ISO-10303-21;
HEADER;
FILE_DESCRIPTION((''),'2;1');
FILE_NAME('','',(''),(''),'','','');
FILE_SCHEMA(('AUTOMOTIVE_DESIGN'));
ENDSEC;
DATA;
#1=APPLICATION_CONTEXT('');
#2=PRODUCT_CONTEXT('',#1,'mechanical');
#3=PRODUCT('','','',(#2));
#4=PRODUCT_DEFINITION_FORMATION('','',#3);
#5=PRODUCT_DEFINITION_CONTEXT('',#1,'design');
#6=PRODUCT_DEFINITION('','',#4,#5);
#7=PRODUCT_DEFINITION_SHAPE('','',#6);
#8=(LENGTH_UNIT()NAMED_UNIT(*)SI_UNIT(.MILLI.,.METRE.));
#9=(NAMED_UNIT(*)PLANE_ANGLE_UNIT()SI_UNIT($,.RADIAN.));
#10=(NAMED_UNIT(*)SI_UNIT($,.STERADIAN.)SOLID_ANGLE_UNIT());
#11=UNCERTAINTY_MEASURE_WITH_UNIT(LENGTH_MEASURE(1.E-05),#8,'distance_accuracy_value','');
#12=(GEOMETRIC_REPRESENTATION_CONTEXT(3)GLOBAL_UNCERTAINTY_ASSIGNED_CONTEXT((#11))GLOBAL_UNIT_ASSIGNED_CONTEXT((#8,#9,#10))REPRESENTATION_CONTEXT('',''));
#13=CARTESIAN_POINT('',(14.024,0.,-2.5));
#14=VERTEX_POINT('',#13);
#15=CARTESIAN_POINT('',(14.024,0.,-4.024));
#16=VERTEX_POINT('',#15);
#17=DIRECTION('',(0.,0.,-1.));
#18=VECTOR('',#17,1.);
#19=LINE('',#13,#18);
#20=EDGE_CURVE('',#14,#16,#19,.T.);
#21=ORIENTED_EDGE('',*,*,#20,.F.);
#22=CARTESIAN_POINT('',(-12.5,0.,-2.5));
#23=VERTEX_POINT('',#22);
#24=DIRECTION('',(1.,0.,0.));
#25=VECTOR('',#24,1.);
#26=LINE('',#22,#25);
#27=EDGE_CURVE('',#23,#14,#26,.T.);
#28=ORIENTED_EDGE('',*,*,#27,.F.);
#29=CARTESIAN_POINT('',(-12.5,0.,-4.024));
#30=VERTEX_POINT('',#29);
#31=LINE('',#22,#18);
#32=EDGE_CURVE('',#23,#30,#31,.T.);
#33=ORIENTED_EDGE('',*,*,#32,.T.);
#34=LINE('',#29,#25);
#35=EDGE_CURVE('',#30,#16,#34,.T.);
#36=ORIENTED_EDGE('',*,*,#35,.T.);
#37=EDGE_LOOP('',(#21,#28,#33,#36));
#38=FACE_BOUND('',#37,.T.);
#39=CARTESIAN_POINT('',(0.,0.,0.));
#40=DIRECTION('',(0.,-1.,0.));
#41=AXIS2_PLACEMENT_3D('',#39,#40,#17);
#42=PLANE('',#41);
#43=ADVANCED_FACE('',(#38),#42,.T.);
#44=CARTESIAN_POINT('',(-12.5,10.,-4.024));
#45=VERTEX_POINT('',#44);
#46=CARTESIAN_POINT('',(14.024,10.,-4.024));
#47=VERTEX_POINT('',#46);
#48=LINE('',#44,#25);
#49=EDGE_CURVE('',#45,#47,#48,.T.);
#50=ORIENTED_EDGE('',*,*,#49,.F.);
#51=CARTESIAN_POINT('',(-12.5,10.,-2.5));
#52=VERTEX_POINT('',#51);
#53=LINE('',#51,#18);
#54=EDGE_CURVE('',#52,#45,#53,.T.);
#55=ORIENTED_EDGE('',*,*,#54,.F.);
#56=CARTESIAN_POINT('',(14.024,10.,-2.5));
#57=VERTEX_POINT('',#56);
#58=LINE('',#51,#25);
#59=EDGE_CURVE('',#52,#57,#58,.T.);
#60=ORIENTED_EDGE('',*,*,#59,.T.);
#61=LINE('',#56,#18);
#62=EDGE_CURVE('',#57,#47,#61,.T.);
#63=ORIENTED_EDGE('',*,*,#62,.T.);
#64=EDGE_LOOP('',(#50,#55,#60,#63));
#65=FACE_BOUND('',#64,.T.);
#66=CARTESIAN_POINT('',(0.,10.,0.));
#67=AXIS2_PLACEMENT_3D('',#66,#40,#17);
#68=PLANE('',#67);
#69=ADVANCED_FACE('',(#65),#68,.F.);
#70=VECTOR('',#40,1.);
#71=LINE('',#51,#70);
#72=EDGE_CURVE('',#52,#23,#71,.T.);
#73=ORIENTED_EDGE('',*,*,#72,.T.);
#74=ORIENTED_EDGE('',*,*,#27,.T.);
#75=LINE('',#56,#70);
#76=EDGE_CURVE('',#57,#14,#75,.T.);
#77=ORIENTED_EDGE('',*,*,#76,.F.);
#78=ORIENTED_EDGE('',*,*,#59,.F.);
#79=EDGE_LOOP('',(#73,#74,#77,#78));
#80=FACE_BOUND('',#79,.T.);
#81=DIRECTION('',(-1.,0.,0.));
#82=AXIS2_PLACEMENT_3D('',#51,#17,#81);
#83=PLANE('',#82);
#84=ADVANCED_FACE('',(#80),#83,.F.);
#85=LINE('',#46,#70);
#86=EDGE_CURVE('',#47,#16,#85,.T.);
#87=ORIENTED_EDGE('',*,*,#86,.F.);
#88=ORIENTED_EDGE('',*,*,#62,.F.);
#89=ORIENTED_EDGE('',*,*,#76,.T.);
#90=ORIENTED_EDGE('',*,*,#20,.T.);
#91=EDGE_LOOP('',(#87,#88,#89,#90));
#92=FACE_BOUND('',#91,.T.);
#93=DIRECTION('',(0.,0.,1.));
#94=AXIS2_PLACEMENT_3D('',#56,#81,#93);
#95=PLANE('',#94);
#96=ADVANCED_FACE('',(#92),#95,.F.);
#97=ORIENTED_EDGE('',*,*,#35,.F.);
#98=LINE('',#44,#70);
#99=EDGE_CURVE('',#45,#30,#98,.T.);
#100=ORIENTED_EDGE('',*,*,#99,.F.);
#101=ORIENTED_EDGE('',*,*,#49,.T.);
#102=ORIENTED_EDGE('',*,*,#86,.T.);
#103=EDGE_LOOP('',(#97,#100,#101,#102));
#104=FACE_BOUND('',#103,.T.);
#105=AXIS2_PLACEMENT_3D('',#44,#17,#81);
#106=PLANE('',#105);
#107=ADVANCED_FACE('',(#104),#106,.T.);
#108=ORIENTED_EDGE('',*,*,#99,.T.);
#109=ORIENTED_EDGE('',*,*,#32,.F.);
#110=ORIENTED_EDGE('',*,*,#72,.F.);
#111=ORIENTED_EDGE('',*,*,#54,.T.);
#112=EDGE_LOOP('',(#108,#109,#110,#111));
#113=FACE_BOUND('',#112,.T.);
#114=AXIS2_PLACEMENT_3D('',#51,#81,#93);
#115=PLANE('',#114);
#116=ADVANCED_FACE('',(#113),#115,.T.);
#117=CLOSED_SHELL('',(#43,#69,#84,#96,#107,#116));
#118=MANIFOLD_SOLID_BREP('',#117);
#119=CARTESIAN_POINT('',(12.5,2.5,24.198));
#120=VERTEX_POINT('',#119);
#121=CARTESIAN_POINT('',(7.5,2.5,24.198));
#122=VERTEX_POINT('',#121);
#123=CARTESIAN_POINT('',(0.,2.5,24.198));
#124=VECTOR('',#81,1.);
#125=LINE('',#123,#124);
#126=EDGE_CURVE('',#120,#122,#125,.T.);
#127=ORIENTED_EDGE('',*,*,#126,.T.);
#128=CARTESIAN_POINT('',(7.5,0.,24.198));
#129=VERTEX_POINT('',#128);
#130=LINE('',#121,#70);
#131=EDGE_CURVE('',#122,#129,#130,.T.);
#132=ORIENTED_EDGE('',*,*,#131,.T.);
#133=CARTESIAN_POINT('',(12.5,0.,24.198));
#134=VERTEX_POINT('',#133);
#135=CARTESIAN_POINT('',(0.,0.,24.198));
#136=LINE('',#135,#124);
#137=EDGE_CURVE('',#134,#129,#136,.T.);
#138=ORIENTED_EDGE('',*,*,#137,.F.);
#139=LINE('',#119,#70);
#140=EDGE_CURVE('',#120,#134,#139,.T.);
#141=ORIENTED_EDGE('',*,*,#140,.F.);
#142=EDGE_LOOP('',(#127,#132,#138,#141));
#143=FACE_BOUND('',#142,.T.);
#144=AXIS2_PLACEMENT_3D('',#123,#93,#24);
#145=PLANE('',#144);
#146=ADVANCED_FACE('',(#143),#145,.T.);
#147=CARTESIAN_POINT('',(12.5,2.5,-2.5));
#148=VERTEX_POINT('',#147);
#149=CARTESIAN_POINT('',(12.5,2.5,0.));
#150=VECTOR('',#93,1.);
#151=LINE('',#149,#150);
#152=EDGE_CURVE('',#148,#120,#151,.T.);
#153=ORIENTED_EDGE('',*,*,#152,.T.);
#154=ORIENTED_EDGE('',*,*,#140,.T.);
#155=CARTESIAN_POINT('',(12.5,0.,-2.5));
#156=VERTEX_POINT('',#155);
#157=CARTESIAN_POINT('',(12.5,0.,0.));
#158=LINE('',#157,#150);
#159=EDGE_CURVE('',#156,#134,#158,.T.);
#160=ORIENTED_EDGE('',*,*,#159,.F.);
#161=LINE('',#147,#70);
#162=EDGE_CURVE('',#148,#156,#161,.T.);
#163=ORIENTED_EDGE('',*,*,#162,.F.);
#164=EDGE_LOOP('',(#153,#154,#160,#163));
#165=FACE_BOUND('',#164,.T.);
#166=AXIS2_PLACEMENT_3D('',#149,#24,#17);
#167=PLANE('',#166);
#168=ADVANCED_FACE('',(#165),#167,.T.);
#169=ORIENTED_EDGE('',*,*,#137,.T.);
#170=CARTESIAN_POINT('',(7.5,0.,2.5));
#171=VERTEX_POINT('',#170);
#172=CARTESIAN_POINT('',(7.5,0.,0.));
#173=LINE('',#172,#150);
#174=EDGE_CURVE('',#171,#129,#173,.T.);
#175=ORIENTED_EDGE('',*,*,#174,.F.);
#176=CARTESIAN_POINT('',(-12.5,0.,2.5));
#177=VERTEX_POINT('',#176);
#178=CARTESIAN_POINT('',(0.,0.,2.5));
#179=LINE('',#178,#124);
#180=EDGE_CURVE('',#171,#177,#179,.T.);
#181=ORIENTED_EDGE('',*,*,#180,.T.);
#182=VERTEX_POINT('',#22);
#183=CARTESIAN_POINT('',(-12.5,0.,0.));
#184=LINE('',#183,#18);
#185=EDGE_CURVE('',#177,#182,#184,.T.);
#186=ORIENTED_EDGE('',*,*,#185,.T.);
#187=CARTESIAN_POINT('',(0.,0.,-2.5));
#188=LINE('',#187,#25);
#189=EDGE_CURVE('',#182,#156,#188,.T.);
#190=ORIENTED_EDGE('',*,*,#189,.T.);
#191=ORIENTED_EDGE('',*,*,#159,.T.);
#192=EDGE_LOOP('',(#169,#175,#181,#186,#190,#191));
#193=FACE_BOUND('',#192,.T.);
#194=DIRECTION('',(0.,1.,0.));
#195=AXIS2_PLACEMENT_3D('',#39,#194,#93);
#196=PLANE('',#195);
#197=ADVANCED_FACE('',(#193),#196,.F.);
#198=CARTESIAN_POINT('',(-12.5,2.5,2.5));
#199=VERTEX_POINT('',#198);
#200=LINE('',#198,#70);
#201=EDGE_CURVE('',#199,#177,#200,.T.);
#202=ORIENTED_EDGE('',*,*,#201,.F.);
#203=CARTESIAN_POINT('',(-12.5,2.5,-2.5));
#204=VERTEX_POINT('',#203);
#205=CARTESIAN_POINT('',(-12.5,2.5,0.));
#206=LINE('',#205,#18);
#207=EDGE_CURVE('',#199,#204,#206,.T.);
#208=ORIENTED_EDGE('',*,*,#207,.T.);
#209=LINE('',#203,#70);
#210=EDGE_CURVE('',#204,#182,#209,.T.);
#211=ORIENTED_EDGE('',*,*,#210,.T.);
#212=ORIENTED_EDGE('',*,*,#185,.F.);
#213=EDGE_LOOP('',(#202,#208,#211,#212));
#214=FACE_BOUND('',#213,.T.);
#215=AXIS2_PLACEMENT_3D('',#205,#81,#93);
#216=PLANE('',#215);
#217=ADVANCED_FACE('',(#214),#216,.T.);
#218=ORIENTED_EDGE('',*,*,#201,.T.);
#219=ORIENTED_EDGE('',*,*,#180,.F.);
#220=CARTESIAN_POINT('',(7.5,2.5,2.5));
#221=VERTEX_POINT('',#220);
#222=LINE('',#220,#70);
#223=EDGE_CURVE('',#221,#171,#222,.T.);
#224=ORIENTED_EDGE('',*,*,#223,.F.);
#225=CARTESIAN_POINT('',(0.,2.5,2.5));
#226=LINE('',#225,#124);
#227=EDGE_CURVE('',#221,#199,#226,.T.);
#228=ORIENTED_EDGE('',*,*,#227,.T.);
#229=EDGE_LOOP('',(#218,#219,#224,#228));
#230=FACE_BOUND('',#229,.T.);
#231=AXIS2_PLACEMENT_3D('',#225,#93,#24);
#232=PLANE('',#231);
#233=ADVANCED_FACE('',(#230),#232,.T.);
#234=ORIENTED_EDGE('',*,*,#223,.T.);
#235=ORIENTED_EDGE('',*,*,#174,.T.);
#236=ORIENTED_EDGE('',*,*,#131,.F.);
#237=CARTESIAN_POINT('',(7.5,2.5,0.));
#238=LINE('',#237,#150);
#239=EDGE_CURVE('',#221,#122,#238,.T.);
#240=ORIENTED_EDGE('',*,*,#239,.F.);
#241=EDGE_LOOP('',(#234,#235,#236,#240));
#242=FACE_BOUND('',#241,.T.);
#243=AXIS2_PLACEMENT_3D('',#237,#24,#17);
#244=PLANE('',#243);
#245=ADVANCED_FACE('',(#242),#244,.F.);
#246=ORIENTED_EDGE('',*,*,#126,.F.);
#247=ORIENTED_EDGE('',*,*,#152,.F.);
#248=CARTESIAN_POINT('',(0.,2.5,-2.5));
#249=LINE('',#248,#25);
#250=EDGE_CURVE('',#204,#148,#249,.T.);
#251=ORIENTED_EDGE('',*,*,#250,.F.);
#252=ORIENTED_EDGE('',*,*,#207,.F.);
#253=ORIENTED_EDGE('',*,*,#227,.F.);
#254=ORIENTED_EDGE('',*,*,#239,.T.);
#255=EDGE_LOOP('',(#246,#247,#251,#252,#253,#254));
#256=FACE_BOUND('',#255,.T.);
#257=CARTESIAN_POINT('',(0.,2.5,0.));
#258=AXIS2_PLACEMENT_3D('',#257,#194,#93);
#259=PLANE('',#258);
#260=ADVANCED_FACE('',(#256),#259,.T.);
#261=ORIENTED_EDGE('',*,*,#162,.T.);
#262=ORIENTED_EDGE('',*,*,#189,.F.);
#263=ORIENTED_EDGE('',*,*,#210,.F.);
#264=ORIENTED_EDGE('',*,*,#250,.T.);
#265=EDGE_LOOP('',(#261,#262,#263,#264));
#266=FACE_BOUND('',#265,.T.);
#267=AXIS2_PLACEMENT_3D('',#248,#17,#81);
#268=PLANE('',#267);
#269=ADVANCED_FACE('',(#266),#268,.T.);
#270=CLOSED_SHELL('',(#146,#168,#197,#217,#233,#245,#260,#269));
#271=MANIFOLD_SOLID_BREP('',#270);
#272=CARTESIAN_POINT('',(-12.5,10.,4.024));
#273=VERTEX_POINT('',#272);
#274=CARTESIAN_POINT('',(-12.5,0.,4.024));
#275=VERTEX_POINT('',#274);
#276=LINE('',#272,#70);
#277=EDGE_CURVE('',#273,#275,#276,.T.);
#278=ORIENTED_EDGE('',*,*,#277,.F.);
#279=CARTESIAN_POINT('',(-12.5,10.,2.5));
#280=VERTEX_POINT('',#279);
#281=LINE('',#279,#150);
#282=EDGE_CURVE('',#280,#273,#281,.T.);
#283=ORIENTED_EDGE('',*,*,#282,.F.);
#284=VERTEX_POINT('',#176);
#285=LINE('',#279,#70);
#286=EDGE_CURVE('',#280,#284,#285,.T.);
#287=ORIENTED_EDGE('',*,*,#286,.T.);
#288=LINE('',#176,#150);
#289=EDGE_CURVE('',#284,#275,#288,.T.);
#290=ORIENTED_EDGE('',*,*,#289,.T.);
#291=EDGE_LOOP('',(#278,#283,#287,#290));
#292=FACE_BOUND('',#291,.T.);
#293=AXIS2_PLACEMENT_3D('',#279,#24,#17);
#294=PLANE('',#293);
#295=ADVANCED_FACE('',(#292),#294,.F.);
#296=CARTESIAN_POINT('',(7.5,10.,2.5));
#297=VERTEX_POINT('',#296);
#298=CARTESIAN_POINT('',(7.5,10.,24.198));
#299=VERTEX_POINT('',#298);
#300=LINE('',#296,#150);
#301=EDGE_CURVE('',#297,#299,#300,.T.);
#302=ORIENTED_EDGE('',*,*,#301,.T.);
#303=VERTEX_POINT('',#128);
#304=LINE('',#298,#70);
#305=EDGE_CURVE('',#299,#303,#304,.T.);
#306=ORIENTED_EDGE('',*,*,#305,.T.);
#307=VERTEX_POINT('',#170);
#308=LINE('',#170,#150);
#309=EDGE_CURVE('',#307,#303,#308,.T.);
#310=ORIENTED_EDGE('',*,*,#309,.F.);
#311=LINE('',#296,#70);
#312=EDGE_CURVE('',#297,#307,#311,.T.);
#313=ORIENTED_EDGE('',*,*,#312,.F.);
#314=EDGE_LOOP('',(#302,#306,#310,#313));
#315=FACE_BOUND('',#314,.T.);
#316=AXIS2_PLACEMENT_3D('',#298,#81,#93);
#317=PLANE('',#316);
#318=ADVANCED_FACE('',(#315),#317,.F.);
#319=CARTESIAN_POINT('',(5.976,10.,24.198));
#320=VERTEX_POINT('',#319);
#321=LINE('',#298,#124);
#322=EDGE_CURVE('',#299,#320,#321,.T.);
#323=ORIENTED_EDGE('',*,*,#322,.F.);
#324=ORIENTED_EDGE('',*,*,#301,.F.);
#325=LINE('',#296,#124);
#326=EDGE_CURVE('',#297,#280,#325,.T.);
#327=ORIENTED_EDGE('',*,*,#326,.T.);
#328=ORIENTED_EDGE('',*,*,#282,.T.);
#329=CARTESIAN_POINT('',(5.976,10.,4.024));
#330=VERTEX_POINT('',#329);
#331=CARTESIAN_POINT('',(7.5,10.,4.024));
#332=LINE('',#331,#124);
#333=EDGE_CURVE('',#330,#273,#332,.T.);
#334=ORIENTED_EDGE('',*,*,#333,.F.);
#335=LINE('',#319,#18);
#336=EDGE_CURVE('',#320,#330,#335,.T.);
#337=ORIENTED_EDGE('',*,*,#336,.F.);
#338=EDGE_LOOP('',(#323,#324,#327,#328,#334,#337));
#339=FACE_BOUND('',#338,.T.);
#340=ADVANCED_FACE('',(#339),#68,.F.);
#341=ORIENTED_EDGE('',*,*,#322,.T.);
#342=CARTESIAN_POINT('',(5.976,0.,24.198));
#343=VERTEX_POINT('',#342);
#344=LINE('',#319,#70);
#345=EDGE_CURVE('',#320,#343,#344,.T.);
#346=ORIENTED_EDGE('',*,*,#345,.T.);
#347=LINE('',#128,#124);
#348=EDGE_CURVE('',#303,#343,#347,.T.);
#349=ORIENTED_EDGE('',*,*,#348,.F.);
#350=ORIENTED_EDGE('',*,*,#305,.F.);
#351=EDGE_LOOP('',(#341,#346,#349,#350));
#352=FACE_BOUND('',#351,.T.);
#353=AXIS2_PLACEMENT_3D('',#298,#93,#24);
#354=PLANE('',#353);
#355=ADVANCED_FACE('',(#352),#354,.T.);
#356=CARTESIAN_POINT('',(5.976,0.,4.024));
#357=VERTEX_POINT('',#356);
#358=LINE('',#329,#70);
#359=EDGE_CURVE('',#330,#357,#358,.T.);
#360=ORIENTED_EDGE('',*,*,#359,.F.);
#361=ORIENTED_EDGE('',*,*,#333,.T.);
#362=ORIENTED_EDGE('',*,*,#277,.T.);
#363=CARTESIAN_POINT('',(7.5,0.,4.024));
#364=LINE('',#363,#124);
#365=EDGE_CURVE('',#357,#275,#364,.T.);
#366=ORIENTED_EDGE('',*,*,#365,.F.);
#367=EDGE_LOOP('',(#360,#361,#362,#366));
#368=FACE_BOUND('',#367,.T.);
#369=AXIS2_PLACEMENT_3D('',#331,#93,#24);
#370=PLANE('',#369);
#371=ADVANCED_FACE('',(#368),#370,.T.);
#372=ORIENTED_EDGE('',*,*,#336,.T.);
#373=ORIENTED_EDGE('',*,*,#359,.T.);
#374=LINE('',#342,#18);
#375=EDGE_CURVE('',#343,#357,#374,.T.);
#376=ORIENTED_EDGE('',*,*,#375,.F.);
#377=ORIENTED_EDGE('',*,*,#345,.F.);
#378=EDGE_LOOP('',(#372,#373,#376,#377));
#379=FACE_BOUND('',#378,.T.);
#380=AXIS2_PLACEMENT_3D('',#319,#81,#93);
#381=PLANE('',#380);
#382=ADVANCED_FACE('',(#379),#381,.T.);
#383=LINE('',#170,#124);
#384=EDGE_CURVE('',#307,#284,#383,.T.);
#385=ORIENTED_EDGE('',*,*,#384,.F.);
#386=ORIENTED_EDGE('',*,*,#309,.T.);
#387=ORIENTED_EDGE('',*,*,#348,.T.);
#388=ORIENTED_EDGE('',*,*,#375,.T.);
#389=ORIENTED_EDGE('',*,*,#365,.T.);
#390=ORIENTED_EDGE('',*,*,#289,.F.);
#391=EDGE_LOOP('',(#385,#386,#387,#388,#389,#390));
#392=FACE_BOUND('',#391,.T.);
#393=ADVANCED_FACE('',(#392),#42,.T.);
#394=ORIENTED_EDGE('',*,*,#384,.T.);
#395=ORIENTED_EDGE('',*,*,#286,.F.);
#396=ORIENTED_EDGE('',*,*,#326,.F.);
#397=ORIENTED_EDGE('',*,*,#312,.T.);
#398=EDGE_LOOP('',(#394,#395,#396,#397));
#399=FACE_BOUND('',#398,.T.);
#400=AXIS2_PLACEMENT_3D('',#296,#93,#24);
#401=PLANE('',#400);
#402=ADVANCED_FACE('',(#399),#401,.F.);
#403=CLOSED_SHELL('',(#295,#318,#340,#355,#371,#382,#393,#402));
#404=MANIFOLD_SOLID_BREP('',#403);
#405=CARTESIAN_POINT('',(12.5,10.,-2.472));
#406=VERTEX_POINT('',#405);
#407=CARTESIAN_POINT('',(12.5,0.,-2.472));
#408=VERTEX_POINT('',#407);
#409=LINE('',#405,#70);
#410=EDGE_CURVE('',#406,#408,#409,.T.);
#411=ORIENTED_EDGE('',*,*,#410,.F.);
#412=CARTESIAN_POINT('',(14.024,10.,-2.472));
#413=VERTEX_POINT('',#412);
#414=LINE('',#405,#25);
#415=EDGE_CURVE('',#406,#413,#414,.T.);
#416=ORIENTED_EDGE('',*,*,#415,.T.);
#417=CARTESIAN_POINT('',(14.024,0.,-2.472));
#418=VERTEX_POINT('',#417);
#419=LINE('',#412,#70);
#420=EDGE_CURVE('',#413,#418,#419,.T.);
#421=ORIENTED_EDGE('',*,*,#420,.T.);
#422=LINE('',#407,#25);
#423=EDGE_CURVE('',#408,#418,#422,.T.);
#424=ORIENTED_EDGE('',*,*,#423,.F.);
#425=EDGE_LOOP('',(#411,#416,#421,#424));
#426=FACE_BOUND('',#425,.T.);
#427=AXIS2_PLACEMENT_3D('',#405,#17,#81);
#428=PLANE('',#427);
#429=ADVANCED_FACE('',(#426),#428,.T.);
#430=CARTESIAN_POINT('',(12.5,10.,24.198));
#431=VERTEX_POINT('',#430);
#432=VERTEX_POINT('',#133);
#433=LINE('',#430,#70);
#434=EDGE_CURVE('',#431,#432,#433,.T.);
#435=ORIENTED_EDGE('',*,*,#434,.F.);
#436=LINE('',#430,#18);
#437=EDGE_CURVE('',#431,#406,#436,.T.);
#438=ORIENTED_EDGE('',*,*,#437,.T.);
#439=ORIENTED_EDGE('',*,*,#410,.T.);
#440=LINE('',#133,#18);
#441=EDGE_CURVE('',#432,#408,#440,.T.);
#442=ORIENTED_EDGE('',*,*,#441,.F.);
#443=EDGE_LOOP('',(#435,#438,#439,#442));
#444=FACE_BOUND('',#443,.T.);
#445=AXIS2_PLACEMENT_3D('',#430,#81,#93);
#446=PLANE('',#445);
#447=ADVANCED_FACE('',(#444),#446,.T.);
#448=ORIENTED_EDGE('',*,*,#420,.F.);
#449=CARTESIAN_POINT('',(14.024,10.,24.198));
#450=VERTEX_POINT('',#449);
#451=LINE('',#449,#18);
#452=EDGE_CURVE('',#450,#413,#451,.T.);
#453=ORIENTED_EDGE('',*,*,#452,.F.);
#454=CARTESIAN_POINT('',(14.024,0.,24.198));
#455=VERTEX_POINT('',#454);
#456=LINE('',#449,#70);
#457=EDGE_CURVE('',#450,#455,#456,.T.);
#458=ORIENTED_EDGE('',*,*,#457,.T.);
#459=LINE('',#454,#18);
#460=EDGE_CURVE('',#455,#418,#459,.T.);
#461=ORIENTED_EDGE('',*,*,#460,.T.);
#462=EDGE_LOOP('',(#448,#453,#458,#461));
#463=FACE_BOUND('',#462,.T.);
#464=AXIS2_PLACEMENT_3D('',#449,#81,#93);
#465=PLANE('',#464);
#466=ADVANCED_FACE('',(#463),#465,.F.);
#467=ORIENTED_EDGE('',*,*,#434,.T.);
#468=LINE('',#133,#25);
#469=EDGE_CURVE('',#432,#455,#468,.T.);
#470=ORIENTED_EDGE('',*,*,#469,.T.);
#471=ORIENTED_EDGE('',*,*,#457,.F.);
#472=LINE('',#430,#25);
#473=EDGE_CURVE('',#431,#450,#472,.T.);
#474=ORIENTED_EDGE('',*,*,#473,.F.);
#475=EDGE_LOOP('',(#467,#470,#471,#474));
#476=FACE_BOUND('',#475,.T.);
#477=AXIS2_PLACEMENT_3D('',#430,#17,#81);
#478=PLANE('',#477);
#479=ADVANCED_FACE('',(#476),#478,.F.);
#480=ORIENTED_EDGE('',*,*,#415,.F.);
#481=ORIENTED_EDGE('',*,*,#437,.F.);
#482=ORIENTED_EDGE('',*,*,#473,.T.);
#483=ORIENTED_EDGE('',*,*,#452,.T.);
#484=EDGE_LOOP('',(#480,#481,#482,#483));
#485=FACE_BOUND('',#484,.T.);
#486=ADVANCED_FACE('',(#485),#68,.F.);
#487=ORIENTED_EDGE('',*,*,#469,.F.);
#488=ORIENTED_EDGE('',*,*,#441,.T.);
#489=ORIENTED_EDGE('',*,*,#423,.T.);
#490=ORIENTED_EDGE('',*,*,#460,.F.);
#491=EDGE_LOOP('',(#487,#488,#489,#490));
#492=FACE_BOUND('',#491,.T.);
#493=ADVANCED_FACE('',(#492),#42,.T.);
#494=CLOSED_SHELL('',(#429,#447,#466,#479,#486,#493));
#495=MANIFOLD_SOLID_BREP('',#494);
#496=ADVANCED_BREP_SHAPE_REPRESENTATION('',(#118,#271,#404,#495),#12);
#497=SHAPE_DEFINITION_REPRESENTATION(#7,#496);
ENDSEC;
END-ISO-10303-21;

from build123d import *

# Parameters (mm, degrees)
BOSS_EXTRUDE3_DEPTH = 2.5
SKETCH1_11_W        = 1.524
SKETCH1_11_H        = 26.67
SKETCH1_11_H_2      = 20.174000038
SKETCH1_11_W_2      = 26.524
SKETCH1_11_H_3      = 1.524
BOSS_EXTRUDE4_DEPTH = 10


with BuildPart() as part:
    # Sketch1 → Boss-Extrude3 (new body)
    with BuildSketch(Plane(origin=(0, 0, 0), x_dir=(1, 0, 0), z_dir=(0, 1, 0))):
        Polygon((12.5, -24.198000038), (12.5, 2.5), (-12.5, 2.5), (-12.5, -2.5), (7.500000094, -2.5), (7.500000094, -24.198000038), align=None)
    extrude(amount=BOSS_EXTRUDE3_DEPTH)


with BuildPart() as body_2:
    # Sketch1<11> → Boss-Extrude4 (new body)
    with BuildSketch(Plane(origin=(0, 0, 0), x_dir=(1, 0, 0), z_dir=(0, 1, 0))):
        with Locations((13.262, -10.863000038)):
            Rectangle(SKETCH1_11_W, SKETCH1_11_H)
        Polygon((7.500000094, -4.024), (7.500000094, -2.5), (-12.5, -2.5), (-12.5, -4.024), (5.976000094, -4.024), align=None)
        with Locations((6.738000094, -14.111000019)):
            Rectangle(SKETCH1_11_W, SKETCH1_11_H_2)
        with Locations((0.762, 3.262)):
            Rectangle(SKETCH1_11_W_2, SKETCH1_11_H_3)
    extrude(amount=BOSS_EXTRUDE4_DEPTH)


solid = Compound([part.part, body_2.part])
